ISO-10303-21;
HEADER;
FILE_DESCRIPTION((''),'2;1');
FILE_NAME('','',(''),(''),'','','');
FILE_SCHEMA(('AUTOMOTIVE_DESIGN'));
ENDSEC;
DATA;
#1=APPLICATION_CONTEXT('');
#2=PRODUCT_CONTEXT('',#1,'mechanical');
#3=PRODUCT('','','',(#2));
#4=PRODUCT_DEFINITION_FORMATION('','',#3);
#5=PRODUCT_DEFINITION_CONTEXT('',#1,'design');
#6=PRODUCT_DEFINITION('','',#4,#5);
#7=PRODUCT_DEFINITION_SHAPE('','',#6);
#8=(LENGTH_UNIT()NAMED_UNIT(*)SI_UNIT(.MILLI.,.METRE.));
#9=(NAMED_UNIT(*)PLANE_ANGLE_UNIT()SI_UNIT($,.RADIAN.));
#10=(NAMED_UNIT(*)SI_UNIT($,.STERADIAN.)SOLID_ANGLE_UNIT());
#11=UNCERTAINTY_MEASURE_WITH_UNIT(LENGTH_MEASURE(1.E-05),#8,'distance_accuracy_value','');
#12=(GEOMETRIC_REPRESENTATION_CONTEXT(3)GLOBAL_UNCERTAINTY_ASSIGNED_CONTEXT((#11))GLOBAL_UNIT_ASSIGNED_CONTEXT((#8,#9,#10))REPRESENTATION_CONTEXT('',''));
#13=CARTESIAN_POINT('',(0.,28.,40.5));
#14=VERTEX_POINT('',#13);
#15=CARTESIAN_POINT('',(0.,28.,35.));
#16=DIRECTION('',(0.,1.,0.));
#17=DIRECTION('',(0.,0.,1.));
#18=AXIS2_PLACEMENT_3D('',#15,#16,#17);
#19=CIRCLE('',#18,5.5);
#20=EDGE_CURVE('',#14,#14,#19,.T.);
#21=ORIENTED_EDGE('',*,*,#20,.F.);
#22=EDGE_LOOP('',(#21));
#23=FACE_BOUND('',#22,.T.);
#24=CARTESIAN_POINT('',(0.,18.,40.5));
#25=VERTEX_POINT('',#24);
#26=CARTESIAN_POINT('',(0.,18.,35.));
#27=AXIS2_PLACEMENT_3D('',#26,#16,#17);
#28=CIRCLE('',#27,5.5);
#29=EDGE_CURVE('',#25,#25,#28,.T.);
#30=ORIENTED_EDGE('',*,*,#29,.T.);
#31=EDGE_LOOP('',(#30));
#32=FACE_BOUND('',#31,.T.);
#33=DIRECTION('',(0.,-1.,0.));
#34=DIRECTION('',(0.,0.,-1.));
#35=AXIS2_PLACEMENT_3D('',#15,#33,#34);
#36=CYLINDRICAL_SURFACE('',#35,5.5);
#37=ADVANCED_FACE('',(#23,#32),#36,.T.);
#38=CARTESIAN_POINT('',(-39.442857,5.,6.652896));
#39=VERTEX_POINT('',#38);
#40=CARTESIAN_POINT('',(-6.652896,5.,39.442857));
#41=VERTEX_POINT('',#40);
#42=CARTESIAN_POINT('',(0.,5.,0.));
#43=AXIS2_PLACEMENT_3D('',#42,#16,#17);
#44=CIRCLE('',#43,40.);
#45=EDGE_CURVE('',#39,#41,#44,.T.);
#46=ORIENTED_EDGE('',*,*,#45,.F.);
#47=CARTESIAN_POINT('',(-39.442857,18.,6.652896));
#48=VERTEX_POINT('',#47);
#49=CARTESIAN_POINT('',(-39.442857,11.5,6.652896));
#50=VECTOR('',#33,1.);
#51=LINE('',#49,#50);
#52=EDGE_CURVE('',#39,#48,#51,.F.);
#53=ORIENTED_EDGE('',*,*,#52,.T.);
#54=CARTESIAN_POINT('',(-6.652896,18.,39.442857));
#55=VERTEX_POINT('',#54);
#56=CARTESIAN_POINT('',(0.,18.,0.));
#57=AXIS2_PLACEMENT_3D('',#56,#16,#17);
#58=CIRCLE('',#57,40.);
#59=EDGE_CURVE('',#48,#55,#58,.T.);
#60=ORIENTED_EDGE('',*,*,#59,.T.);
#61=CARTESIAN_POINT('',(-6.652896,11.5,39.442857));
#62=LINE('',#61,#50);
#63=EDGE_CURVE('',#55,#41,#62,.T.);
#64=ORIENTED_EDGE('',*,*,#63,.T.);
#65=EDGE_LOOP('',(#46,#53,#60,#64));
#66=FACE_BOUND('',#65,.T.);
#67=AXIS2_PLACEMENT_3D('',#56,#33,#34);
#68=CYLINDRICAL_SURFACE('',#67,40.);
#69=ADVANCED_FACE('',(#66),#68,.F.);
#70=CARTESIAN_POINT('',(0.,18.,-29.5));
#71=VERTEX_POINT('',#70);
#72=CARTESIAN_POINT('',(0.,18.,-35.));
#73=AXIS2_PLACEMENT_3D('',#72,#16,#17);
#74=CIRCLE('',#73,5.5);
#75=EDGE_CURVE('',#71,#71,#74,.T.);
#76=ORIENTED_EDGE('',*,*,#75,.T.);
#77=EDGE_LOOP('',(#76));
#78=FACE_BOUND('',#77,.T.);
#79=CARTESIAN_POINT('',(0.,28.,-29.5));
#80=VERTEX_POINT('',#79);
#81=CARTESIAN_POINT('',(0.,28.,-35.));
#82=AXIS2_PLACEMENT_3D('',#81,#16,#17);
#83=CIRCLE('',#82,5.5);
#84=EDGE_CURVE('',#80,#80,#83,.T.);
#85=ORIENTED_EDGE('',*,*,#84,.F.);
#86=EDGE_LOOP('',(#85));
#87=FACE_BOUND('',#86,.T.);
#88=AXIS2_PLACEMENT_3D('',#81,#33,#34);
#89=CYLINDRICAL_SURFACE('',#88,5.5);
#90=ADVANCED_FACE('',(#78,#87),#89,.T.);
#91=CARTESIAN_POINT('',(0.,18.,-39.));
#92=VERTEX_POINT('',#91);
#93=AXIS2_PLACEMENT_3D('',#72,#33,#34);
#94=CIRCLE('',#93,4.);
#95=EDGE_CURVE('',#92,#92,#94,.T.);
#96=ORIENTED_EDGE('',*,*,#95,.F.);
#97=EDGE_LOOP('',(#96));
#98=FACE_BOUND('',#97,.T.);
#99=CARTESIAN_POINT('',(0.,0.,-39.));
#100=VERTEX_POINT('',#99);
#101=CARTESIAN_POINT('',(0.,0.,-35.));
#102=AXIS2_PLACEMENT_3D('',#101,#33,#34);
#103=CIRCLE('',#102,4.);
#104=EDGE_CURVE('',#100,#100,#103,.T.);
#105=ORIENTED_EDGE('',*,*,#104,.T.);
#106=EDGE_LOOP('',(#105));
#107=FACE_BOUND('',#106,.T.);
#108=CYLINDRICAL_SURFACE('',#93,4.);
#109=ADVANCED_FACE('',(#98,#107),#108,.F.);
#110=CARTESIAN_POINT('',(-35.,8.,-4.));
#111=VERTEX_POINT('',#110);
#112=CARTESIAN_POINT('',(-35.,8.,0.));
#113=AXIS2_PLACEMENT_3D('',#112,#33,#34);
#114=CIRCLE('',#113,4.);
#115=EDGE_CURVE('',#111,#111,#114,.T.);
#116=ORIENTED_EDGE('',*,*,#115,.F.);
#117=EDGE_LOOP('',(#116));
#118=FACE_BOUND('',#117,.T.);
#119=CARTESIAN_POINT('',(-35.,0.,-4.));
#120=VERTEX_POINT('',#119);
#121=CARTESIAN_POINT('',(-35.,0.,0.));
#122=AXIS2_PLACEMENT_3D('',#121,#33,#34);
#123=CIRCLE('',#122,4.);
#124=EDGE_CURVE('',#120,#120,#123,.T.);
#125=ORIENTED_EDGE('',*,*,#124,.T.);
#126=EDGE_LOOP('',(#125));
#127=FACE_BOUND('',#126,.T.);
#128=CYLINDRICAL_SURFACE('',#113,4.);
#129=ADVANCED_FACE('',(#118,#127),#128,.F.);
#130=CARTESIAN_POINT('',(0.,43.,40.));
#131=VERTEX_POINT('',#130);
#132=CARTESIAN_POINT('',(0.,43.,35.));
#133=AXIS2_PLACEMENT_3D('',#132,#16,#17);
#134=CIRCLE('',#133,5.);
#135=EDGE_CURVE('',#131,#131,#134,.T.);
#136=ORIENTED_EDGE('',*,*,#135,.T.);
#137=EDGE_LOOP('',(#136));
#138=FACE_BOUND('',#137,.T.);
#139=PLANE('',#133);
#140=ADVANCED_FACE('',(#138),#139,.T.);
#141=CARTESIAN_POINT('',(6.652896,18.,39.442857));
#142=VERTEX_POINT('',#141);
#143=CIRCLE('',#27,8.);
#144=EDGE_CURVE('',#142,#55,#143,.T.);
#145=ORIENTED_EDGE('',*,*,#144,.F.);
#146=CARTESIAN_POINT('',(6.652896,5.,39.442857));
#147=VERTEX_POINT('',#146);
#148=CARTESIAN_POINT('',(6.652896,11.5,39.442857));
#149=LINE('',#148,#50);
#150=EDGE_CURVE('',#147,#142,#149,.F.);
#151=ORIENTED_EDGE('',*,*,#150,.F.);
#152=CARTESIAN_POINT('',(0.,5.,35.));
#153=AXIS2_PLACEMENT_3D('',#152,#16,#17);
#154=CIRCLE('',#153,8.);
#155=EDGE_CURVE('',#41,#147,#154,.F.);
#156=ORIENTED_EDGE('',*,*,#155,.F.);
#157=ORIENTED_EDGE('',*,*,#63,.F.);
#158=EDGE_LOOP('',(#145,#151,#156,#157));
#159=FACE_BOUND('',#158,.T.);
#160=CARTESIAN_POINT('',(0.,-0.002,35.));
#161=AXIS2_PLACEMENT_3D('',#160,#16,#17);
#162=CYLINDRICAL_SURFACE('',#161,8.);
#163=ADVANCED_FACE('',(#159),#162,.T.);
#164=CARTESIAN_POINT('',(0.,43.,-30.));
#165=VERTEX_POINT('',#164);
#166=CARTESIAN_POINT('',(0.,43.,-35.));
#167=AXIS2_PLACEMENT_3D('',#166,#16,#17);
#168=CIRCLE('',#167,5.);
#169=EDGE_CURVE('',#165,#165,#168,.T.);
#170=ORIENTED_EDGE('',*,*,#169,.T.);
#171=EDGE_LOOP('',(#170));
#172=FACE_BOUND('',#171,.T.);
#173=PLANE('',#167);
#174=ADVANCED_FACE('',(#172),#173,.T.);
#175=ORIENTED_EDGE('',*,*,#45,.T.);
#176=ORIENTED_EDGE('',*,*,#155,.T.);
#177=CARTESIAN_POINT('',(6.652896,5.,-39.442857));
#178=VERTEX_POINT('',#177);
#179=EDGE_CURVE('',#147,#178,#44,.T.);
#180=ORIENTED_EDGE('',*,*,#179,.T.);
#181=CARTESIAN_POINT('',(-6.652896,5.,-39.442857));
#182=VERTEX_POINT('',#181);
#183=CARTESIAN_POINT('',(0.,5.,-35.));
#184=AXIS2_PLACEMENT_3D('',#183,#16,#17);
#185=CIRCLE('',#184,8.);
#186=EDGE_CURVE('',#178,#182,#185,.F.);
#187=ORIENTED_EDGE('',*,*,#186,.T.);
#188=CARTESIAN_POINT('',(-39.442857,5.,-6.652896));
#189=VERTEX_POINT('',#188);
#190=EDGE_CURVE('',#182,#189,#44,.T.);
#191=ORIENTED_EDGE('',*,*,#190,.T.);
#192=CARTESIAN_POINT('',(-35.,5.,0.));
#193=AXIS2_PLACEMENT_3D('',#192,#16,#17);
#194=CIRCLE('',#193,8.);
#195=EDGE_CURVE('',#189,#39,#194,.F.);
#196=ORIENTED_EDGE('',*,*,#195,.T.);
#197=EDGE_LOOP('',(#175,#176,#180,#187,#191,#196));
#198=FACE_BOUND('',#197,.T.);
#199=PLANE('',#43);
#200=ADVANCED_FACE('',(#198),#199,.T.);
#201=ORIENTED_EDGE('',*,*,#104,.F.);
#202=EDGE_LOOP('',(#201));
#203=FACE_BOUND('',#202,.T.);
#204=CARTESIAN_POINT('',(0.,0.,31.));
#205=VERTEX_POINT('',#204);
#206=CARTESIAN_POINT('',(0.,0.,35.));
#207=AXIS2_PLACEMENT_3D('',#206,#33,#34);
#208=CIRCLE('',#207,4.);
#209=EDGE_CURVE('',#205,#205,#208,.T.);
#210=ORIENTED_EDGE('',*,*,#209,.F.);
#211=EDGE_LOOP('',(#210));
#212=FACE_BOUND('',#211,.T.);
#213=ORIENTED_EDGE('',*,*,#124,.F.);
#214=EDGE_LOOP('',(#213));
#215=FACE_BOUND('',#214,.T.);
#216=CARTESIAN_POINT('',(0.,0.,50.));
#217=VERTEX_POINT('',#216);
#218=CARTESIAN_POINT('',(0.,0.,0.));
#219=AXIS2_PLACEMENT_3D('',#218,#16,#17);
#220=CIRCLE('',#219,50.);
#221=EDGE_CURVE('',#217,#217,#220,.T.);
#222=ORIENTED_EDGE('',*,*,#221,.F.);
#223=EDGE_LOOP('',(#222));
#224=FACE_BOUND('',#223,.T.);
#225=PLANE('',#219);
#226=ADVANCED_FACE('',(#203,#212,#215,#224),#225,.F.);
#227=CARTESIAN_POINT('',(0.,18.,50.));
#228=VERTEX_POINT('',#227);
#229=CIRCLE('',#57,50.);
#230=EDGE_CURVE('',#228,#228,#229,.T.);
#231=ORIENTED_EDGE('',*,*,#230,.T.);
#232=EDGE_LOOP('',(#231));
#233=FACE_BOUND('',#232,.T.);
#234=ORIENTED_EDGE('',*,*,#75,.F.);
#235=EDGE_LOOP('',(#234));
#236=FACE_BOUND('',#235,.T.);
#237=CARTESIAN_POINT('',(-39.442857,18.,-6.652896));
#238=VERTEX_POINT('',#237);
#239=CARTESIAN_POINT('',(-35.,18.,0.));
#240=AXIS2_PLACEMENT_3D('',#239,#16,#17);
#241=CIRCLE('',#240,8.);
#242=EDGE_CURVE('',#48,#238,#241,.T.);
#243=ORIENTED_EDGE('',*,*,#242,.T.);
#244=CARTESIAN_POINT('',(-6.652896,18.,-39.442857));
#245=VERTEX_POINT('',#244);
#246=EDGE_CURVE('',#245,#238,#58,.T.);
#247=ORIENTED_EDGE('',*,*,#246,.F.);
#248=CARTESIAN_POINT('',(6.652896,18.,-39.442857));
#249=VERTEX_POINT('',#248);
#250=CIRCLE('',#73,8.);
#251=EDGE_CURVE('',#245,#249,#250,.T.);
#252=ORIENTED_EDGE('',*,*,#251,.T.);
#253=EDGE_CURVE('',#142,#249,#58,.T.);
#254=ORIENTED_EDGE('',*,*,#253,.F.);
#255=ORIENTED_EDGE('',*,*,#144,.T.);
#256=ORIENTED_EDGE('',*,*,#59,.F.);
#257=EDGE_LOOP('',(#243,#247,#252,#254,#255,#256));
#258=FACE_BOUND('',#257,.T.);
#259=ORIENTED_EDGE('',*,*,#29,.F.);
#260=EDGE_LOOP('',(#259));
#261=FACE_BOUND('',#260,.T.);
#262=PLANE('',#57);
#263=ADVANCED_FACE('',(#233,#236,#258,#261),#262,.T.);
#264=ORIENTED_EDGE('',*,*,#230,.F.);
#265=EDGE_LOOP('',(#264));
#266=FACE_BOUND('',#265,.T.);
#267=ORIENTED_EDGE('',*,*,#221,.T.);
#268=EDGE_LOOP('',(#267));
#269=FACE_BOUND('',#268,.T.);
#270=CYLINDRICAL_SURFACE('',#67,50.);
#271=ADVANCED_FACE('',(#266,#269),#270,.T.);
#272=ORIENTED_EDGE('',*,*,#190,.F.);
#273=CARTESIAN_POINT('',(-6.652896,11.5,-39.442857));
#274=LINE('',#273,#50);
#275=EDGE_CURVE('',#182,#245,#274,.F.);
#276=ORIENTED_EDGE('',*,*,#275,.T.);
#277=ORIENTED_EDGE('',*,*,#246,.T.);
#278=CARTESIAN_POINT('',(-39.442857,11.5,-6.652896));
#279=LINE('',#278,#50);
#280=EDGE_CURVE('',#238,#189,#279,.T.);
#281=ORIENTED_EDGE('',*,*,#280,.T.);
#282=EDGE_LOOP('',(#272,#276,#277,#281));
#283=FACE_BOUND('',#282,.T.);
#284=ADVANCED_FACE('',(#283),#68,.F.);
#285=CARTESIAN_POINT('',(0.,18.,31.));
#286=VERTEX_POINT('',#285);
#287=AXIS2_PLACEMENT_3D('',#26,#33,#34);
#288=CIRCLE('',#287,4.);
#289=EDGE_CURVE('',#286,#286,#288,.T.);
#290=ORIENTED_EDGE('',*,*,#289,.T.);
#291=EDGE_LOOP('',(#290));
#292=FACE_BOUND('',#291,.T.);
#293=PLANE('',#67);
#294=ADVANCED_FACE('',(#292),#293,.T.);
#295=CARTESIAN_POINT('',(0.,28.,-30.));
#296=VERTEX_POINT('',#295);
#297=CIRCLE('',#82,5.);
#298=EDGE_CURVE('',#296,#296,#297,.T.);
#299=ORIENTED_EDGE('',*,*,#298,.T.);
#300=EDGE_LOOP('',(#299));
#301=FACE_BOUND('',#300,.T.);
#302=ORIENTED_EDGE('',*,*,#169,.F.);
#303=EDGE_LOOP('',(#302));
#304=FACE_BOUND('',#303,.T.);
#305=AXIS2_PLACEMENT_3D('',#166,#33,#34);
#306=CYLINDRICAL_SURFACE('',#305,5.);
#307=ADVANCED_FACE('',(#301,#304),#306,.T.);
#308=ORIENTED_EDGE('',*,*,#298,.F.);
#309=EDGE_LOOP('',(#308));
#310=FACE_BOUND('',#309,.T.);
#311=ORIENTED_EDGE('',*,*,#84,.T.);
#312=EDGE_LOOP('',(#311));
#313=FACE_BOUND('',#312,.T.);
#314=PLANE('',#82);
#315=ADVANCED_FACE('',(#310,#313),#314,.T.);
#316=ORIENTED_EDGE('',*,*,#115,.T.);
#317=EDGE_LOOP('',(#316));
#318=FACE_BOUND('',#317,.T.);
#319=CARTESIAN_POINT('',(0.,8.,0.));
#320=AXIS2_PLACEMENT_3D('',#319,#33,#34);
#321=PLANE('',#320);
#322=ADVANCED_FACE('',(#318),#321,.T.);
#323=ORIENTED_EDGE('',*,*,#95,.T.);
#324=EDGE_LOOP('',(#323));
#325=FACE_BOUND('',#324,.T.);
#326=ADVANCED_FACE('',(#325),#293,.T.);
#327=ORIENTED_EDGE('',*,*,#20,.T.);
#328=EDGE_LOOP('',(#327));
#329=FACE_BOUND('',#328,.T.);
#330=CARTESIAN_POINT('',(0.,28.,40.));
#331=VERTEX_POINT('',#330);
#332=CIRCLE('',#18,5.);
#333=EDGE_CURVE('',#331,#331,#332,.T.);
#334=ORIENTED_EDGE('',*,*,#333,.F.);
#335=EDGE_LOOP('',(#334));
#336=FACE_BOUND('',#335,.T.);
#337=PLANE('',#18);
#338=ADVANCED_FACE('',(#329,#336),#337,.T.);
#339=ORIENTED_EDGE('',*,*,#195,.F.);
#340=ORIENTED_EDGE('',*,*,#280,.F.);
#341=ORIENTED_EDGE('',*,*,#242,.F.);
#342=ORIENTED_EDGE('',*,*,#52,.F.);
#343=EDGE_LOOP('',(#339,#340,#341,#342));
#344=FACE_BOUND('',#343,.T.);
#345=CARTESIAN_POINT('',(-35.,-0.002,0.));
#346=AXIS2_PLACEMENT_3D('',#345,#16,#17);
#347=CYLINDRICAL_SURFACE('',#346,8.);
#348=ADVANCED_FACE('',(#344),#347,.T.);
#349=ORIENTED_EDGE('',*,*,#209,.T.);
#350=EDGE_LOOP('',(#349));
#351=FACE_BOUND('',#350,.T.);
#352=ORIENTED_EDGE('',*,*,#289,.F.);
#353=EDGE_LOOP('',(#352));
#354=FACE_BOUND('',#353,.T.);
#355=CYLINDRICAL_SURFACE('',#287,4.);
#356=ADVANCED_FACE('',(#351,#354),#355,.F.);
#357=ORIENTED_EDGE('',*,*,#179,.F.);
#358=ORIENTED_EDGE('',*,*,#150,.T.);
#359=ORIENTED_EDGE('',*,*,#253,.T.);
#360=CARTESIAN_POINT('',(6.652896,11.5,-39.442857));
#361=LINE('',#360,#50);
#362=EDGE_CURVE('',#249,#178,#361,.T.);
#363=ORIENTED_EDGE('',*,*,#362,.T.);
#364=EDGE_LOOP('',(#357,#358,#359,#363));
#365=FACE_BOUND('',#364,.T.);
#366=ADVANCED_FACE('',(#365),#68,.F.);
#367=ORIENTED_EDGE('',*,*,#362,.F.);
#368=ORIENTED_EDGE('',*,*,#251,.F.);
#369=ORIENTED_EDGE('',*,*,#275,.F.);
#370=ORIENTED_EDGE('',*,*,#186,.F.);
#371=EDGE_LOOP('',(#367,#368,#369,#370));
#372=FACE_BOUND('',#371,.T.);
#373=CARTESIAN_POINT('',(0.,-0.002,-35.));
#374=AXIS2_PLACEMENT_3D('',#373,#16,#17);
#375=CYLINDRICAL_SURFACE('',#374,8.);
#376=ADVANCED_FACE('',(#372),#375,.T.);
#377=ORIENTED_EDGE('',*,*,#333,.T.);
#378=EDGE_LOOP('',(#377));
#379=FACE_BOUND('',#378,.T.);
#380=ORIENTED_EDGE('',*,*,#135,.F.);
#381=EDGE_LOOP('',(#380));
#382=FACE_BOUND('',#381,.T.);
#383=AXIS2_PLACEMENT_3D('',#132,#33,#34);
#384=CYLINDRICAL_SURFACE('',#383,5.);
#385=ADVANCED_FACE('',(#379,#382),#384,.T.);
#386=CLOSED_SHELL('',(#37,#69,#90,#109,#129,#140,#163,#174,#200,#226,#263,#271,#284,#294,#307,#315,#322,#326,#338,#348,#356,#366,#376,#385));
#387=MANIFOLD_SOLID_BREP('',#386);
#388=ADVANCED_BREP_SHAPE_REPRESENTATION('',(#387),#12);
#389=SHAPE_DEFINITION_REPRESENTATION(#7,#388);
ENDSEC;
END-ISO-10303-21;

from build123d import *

# Parameters (mm, degrees)
SKETCH1_R           = 50
BOSS_EXTRUDE1_DEPTH = 18
CUT_EXTRUDE1_START  = 5
SKETCH1_3_R         = 40
CUT_EXTRUDE1_DEPTH  = 13
BOSS_EXTRUDE2_REACH = 74.966
SKETCH2_R           = 8
SKETCH3_R           = 5.5
BOSS_EXTRUDE3_DEPTH = 10
SKETCH4_R           = 5
BOSS_EXTRUDE4_DEPTH = 15
SKETCH5_R           = 4
CUT_EXTRUDE2_DEPTH  = 18
SKETCH5_3_R         = 4
CUT_EXTRUDE3_DEPTH  = 8


with BuildPart() as part:
    # Sketch1 → Boss-Extrude1 (new body)
    with BuildSketch(Plane(origin=(0, 0, 0), x_dir=(1, 0, 0), z_dir=(0, 1, 0))):
        Circle(SKETCH1_R)
    extrude(amount=BOSS_EXTRUDE1_DEPTH)

    # Sketch1<3> → Cut-Extrude1 (cut)
    with BuildSketch(Plane(origin=(0, 0, 0), x_dir=(1, 0, 0), z_dir=(0, 1, 0)).offset(CUT_EXTRUDE1_START)):
        Circle(SKETCH1_3_R)
    extrude(amount=CUT_EXTRUDE1_DEPTH, mode=Mode.SUBTRACT)

    # Sketch2 → Boss-Extrude2 (add, up to next)
    with BuildSketch(Plane(origin=(0, 18, 0), x_dir=(1, 0, 0), z_dir=(0, 1, 0)), mode=Mode.PRIVATE) as boss_extrude2_sk1:
        with Locations((0, 35)):
            Circle(SKETCH2_R)
    boss_extrude2_tool1 = extrude(boss_extrude2_sk1.sketch, amount=-BOSS_EXTRUDE2_REACH, mode=Mode.PRIVATE) - part.part
    # Sketch2 → Boss-Extrude2 (add, up to next)
    with BuildSketch(Plane(origin=(0, 18, 0), x_dir=(1, 0, 0), z_dir=(0, 1, 0)), mode=Mode.PRIVATE) as boss_extrude2_sk2:
        with Locations((0, -35)):
            Circle(SKETCH2_R)
    boss_extrude2_tool2 = extrude(boss_extrude2_sk2.sketch, amount=-BOSS_EXTRUDE2_REACH, mode=Mode.PRIVATE) - part.part
    # Sketch2 → Boss-Extrude2 (add, up to next)
    with BuildSketch(Plane(origin=(0, 18, 0), x_dir=(1, 0, 0), z_dir=(0, 1, 0)), mode=Mode.PRIVATE) as boss_extrude2_sk3:
        with Locations((-35, 0)):
            Circle(SKETCH2_R)
    boss_extrude2_tool3 = extrude(boss_extrude2_sk3.sketch, amount=-BOSS_EXTRUDE2_REACH, mode=Mode.PRIVATE) - part.part
    add(boss_extrude2_tool1.solids().sort_by_distance((0, 18, -35))[0])
    add(boss_extrude2_tool2.solids().sort_by_distance((0, 18, 35))[0])
    add(boss_extrude2_tool3.solids().sort_by_distance((-35, 18, 0))[0])

    # Sketch3 → Boss-Extrude3 (add)
    with BuildSketch(Plane(origin=(0, 18, 0), x_dir=(1, 0, 0), z_dir=(0, 1, 0))):
        with Locations((0, 35)):
            Circle(SKETCH3_R)
        with Locations((0, -35)):
            Circle(SKETCH3_R)
    extrude(amount=BOSS_EXTRUDE3_DEPTH)

    # Sketch4 → Boss-Extrude4 (add)
    with BuildSketch(Plane(origin=(0, 28, 0), x_dir=(1, 0, 0), z_dir=(0, 1, 0))):
        with Locations((0, -35)):
            Circle(SKETCH4_R)
        with Locations((0, 35)):
            Circle(SKETCH4_R)
    extrude(amount=BOSS_EXTRUDE4_DEPTH)

    # Sketch5 → Cut-Extrude2 (cut)
    with BuildSketch(Plane.XZ):
        with Locations((0, 35)):
            Circle(SKETCH5_R)
        with Locations((0, -35)):
            Circle(SKETCH5_R)
    extrude(amount=-CUT_EXTRUDE2_DEPTH, mode=Mode.SUBTRACT)

    # Sketch5<3> → Cut-Extrude3 (cut)
    with BuildSketch(Plane.XZ):
        with Locations((-35, 0)):
            Circle(SKETCH5_3_R)
    extrude(amount=-CUT_EXTRUDE3_DEPTH, mode=Mode.SUBTRACT)


solid = part.part
